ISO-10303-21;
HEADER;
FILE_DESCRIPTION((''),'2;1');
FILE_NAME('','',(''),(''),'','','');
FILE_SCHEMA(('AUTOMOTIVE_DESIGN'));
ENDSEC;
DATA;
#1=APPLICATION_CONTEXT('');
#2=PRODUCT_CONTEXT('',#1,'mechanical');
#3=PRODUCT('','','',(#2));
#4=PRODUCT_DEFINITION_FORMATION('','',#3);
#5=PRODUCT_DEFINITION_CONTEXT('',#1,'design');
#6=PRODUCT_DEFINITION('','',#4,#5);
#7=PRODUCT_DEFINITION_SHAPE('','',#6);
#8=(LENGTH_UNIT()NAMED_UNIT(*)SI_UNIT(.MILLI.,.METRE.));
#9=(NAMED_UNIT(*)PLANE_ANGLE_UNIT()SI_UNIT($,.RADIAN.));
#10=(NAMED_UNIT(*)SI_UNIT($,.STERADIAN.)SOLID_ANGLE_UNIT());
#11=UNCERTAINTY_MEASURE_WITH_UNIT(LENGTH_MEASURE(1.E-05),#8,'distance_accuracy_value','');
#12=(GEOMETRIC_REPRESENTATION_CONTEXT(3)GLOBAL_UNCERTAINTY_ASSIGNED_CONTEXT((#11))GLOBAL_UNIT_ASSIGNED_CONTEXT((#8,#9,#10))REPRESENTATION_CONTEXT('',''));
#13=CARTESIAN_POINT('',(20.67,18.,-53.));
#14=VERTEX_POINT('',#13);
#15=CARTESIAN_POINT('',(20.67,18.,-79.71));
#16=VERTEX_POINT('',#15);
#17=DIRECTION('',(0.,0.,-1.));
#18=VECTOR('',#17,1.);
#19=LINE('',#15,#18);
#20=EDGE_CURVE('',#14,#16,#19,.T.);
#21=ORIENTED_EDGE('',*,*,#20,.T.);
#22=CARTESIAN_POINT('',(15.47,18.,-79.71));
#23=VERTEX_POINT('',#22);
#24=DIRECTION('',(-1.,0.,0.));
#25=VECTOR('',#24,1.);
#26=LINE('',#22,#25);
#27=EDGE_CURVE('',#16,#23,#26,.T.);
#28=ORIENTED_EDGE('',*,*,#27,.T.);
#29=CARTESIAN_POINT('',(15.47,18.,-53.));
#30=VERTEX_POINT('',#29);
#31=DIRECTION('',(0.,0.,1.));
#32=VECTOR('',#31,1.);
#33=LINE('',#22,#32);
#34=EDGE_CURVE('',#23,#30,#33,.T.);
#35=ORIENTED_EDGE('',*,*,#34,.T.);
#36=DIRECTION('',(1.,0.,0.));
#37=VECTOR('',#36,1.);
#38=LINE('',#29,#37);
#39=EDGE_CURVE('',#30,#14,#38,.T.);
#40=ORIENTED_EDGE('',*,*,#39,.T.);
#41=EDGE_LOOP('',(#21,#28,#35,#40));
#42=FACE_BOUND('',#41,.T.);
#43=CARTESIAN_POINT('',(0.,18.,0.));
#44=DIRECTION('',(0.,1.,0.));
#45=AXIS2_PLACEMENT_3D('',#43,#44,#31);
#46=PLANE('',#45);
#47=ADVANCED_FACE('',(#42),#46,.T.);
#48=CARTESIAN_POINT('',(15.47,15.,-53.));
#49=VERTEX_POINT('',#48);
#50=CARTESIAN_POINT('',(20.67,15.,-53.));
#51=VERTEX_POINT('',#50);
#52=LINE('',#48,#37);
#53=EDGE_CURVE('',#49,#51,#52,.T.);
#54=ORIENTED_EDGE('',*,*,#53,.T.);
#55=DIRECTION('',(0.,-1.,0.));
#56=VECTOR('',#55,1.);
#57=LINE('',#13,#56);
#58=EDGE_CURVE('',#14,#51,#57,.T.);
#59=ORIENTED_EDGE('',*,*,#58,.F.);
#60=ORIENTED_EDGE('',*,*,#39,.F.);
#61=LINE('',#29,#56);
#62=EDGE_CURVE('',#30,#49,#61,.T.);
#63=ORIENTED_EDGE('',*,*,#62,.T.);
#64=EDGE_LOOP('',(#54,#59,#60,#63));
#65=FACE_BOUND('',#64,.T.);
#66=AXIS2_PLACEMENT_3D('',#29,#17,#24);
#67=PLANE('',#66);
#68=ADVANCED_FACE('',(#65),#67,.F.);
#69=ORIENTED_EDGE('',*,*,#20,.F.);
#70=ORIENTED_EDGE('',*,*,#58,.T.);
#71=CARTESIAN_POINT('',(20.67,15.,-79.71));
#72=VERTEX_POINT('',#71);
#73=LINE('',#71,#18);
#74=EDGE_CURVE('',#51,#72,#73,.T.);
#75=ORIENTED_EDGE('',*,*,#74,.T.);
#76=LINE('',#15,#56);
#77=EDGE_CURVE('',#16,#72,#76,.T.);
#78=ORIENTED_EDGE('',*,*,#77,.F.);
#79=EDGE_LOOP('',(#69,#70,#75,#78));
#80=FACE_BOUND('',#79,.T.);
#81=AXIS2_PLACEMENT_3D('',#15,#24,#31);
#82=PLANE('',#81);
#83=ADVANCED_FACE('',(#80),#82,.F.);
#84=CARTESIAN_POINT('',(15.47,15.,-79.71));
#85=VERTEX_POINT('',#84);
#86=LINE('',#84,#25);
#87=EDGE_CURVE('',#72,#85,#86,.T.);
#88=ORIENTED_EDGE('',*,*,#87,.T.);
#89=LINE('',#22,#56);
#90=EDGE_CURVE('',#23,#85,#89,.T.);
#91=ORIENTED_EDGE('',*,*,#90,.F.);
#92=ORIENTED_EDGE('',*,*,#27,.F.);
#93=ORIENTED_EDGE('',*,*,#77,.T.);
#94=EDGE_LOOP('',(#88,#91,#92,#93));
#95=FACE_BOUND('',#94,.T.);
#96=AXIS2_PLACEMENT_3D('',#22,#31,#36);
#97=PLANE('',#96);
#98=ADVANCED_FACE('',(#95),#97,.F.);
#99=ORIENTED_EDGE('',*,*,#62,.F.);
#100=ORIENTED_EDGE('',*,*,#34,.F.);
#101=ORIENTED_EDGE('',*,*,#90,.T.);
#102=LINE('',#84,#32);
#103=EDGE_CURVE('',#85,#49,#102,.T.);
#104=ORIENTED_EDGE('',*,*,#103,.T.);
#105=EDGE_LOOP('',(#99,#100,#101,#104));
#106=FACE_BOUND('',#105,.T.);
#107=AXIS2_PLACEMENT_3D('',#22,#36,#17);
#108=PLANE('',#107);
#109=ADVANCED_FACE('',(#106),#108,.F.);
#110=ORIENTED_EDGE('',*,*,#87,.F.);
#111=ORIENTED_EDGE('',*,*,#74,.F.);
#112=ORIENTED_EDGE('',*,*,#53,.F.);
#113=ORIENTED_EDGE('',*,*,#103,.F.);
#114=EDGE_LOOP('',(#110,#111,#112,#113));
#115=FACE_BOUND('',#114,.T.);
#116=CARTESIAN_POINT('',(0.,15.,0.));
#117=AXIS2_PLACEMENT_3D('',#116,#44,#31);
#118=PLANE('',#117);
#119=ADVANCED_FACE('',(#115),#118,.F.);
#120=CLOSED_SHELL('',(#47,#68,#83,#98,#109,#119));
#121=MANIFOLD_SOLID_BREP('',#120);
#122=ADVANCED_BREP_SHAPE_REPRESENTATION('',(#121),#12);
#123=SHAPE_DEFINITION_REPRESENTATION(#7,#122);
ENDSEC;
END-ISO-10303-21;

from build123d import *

# Parameters (mm, degrees)
BASE_SKETCH_W             = 5.2
BASE_SKETCH_H             = 26.71
BASE_SKETCH_EXTRUDE_DEPTH = 3


with BuildPart() as part:
    # Base Sketch → Base Sketch Extrude (new body)
    with BuildSketch(Plane(origin=(0, 15, 0), x_dir=(1, 0, 0), z_dir=(0, 1, 0))):
        with Locations((18.07, 66.355)):
            Rectangle(BASE_SKETCH_W, BASE_SKETCH_H)
    extrude(amount=BASE_SKETCH_EXTRUDE_DEPTH)


solid = part.part
